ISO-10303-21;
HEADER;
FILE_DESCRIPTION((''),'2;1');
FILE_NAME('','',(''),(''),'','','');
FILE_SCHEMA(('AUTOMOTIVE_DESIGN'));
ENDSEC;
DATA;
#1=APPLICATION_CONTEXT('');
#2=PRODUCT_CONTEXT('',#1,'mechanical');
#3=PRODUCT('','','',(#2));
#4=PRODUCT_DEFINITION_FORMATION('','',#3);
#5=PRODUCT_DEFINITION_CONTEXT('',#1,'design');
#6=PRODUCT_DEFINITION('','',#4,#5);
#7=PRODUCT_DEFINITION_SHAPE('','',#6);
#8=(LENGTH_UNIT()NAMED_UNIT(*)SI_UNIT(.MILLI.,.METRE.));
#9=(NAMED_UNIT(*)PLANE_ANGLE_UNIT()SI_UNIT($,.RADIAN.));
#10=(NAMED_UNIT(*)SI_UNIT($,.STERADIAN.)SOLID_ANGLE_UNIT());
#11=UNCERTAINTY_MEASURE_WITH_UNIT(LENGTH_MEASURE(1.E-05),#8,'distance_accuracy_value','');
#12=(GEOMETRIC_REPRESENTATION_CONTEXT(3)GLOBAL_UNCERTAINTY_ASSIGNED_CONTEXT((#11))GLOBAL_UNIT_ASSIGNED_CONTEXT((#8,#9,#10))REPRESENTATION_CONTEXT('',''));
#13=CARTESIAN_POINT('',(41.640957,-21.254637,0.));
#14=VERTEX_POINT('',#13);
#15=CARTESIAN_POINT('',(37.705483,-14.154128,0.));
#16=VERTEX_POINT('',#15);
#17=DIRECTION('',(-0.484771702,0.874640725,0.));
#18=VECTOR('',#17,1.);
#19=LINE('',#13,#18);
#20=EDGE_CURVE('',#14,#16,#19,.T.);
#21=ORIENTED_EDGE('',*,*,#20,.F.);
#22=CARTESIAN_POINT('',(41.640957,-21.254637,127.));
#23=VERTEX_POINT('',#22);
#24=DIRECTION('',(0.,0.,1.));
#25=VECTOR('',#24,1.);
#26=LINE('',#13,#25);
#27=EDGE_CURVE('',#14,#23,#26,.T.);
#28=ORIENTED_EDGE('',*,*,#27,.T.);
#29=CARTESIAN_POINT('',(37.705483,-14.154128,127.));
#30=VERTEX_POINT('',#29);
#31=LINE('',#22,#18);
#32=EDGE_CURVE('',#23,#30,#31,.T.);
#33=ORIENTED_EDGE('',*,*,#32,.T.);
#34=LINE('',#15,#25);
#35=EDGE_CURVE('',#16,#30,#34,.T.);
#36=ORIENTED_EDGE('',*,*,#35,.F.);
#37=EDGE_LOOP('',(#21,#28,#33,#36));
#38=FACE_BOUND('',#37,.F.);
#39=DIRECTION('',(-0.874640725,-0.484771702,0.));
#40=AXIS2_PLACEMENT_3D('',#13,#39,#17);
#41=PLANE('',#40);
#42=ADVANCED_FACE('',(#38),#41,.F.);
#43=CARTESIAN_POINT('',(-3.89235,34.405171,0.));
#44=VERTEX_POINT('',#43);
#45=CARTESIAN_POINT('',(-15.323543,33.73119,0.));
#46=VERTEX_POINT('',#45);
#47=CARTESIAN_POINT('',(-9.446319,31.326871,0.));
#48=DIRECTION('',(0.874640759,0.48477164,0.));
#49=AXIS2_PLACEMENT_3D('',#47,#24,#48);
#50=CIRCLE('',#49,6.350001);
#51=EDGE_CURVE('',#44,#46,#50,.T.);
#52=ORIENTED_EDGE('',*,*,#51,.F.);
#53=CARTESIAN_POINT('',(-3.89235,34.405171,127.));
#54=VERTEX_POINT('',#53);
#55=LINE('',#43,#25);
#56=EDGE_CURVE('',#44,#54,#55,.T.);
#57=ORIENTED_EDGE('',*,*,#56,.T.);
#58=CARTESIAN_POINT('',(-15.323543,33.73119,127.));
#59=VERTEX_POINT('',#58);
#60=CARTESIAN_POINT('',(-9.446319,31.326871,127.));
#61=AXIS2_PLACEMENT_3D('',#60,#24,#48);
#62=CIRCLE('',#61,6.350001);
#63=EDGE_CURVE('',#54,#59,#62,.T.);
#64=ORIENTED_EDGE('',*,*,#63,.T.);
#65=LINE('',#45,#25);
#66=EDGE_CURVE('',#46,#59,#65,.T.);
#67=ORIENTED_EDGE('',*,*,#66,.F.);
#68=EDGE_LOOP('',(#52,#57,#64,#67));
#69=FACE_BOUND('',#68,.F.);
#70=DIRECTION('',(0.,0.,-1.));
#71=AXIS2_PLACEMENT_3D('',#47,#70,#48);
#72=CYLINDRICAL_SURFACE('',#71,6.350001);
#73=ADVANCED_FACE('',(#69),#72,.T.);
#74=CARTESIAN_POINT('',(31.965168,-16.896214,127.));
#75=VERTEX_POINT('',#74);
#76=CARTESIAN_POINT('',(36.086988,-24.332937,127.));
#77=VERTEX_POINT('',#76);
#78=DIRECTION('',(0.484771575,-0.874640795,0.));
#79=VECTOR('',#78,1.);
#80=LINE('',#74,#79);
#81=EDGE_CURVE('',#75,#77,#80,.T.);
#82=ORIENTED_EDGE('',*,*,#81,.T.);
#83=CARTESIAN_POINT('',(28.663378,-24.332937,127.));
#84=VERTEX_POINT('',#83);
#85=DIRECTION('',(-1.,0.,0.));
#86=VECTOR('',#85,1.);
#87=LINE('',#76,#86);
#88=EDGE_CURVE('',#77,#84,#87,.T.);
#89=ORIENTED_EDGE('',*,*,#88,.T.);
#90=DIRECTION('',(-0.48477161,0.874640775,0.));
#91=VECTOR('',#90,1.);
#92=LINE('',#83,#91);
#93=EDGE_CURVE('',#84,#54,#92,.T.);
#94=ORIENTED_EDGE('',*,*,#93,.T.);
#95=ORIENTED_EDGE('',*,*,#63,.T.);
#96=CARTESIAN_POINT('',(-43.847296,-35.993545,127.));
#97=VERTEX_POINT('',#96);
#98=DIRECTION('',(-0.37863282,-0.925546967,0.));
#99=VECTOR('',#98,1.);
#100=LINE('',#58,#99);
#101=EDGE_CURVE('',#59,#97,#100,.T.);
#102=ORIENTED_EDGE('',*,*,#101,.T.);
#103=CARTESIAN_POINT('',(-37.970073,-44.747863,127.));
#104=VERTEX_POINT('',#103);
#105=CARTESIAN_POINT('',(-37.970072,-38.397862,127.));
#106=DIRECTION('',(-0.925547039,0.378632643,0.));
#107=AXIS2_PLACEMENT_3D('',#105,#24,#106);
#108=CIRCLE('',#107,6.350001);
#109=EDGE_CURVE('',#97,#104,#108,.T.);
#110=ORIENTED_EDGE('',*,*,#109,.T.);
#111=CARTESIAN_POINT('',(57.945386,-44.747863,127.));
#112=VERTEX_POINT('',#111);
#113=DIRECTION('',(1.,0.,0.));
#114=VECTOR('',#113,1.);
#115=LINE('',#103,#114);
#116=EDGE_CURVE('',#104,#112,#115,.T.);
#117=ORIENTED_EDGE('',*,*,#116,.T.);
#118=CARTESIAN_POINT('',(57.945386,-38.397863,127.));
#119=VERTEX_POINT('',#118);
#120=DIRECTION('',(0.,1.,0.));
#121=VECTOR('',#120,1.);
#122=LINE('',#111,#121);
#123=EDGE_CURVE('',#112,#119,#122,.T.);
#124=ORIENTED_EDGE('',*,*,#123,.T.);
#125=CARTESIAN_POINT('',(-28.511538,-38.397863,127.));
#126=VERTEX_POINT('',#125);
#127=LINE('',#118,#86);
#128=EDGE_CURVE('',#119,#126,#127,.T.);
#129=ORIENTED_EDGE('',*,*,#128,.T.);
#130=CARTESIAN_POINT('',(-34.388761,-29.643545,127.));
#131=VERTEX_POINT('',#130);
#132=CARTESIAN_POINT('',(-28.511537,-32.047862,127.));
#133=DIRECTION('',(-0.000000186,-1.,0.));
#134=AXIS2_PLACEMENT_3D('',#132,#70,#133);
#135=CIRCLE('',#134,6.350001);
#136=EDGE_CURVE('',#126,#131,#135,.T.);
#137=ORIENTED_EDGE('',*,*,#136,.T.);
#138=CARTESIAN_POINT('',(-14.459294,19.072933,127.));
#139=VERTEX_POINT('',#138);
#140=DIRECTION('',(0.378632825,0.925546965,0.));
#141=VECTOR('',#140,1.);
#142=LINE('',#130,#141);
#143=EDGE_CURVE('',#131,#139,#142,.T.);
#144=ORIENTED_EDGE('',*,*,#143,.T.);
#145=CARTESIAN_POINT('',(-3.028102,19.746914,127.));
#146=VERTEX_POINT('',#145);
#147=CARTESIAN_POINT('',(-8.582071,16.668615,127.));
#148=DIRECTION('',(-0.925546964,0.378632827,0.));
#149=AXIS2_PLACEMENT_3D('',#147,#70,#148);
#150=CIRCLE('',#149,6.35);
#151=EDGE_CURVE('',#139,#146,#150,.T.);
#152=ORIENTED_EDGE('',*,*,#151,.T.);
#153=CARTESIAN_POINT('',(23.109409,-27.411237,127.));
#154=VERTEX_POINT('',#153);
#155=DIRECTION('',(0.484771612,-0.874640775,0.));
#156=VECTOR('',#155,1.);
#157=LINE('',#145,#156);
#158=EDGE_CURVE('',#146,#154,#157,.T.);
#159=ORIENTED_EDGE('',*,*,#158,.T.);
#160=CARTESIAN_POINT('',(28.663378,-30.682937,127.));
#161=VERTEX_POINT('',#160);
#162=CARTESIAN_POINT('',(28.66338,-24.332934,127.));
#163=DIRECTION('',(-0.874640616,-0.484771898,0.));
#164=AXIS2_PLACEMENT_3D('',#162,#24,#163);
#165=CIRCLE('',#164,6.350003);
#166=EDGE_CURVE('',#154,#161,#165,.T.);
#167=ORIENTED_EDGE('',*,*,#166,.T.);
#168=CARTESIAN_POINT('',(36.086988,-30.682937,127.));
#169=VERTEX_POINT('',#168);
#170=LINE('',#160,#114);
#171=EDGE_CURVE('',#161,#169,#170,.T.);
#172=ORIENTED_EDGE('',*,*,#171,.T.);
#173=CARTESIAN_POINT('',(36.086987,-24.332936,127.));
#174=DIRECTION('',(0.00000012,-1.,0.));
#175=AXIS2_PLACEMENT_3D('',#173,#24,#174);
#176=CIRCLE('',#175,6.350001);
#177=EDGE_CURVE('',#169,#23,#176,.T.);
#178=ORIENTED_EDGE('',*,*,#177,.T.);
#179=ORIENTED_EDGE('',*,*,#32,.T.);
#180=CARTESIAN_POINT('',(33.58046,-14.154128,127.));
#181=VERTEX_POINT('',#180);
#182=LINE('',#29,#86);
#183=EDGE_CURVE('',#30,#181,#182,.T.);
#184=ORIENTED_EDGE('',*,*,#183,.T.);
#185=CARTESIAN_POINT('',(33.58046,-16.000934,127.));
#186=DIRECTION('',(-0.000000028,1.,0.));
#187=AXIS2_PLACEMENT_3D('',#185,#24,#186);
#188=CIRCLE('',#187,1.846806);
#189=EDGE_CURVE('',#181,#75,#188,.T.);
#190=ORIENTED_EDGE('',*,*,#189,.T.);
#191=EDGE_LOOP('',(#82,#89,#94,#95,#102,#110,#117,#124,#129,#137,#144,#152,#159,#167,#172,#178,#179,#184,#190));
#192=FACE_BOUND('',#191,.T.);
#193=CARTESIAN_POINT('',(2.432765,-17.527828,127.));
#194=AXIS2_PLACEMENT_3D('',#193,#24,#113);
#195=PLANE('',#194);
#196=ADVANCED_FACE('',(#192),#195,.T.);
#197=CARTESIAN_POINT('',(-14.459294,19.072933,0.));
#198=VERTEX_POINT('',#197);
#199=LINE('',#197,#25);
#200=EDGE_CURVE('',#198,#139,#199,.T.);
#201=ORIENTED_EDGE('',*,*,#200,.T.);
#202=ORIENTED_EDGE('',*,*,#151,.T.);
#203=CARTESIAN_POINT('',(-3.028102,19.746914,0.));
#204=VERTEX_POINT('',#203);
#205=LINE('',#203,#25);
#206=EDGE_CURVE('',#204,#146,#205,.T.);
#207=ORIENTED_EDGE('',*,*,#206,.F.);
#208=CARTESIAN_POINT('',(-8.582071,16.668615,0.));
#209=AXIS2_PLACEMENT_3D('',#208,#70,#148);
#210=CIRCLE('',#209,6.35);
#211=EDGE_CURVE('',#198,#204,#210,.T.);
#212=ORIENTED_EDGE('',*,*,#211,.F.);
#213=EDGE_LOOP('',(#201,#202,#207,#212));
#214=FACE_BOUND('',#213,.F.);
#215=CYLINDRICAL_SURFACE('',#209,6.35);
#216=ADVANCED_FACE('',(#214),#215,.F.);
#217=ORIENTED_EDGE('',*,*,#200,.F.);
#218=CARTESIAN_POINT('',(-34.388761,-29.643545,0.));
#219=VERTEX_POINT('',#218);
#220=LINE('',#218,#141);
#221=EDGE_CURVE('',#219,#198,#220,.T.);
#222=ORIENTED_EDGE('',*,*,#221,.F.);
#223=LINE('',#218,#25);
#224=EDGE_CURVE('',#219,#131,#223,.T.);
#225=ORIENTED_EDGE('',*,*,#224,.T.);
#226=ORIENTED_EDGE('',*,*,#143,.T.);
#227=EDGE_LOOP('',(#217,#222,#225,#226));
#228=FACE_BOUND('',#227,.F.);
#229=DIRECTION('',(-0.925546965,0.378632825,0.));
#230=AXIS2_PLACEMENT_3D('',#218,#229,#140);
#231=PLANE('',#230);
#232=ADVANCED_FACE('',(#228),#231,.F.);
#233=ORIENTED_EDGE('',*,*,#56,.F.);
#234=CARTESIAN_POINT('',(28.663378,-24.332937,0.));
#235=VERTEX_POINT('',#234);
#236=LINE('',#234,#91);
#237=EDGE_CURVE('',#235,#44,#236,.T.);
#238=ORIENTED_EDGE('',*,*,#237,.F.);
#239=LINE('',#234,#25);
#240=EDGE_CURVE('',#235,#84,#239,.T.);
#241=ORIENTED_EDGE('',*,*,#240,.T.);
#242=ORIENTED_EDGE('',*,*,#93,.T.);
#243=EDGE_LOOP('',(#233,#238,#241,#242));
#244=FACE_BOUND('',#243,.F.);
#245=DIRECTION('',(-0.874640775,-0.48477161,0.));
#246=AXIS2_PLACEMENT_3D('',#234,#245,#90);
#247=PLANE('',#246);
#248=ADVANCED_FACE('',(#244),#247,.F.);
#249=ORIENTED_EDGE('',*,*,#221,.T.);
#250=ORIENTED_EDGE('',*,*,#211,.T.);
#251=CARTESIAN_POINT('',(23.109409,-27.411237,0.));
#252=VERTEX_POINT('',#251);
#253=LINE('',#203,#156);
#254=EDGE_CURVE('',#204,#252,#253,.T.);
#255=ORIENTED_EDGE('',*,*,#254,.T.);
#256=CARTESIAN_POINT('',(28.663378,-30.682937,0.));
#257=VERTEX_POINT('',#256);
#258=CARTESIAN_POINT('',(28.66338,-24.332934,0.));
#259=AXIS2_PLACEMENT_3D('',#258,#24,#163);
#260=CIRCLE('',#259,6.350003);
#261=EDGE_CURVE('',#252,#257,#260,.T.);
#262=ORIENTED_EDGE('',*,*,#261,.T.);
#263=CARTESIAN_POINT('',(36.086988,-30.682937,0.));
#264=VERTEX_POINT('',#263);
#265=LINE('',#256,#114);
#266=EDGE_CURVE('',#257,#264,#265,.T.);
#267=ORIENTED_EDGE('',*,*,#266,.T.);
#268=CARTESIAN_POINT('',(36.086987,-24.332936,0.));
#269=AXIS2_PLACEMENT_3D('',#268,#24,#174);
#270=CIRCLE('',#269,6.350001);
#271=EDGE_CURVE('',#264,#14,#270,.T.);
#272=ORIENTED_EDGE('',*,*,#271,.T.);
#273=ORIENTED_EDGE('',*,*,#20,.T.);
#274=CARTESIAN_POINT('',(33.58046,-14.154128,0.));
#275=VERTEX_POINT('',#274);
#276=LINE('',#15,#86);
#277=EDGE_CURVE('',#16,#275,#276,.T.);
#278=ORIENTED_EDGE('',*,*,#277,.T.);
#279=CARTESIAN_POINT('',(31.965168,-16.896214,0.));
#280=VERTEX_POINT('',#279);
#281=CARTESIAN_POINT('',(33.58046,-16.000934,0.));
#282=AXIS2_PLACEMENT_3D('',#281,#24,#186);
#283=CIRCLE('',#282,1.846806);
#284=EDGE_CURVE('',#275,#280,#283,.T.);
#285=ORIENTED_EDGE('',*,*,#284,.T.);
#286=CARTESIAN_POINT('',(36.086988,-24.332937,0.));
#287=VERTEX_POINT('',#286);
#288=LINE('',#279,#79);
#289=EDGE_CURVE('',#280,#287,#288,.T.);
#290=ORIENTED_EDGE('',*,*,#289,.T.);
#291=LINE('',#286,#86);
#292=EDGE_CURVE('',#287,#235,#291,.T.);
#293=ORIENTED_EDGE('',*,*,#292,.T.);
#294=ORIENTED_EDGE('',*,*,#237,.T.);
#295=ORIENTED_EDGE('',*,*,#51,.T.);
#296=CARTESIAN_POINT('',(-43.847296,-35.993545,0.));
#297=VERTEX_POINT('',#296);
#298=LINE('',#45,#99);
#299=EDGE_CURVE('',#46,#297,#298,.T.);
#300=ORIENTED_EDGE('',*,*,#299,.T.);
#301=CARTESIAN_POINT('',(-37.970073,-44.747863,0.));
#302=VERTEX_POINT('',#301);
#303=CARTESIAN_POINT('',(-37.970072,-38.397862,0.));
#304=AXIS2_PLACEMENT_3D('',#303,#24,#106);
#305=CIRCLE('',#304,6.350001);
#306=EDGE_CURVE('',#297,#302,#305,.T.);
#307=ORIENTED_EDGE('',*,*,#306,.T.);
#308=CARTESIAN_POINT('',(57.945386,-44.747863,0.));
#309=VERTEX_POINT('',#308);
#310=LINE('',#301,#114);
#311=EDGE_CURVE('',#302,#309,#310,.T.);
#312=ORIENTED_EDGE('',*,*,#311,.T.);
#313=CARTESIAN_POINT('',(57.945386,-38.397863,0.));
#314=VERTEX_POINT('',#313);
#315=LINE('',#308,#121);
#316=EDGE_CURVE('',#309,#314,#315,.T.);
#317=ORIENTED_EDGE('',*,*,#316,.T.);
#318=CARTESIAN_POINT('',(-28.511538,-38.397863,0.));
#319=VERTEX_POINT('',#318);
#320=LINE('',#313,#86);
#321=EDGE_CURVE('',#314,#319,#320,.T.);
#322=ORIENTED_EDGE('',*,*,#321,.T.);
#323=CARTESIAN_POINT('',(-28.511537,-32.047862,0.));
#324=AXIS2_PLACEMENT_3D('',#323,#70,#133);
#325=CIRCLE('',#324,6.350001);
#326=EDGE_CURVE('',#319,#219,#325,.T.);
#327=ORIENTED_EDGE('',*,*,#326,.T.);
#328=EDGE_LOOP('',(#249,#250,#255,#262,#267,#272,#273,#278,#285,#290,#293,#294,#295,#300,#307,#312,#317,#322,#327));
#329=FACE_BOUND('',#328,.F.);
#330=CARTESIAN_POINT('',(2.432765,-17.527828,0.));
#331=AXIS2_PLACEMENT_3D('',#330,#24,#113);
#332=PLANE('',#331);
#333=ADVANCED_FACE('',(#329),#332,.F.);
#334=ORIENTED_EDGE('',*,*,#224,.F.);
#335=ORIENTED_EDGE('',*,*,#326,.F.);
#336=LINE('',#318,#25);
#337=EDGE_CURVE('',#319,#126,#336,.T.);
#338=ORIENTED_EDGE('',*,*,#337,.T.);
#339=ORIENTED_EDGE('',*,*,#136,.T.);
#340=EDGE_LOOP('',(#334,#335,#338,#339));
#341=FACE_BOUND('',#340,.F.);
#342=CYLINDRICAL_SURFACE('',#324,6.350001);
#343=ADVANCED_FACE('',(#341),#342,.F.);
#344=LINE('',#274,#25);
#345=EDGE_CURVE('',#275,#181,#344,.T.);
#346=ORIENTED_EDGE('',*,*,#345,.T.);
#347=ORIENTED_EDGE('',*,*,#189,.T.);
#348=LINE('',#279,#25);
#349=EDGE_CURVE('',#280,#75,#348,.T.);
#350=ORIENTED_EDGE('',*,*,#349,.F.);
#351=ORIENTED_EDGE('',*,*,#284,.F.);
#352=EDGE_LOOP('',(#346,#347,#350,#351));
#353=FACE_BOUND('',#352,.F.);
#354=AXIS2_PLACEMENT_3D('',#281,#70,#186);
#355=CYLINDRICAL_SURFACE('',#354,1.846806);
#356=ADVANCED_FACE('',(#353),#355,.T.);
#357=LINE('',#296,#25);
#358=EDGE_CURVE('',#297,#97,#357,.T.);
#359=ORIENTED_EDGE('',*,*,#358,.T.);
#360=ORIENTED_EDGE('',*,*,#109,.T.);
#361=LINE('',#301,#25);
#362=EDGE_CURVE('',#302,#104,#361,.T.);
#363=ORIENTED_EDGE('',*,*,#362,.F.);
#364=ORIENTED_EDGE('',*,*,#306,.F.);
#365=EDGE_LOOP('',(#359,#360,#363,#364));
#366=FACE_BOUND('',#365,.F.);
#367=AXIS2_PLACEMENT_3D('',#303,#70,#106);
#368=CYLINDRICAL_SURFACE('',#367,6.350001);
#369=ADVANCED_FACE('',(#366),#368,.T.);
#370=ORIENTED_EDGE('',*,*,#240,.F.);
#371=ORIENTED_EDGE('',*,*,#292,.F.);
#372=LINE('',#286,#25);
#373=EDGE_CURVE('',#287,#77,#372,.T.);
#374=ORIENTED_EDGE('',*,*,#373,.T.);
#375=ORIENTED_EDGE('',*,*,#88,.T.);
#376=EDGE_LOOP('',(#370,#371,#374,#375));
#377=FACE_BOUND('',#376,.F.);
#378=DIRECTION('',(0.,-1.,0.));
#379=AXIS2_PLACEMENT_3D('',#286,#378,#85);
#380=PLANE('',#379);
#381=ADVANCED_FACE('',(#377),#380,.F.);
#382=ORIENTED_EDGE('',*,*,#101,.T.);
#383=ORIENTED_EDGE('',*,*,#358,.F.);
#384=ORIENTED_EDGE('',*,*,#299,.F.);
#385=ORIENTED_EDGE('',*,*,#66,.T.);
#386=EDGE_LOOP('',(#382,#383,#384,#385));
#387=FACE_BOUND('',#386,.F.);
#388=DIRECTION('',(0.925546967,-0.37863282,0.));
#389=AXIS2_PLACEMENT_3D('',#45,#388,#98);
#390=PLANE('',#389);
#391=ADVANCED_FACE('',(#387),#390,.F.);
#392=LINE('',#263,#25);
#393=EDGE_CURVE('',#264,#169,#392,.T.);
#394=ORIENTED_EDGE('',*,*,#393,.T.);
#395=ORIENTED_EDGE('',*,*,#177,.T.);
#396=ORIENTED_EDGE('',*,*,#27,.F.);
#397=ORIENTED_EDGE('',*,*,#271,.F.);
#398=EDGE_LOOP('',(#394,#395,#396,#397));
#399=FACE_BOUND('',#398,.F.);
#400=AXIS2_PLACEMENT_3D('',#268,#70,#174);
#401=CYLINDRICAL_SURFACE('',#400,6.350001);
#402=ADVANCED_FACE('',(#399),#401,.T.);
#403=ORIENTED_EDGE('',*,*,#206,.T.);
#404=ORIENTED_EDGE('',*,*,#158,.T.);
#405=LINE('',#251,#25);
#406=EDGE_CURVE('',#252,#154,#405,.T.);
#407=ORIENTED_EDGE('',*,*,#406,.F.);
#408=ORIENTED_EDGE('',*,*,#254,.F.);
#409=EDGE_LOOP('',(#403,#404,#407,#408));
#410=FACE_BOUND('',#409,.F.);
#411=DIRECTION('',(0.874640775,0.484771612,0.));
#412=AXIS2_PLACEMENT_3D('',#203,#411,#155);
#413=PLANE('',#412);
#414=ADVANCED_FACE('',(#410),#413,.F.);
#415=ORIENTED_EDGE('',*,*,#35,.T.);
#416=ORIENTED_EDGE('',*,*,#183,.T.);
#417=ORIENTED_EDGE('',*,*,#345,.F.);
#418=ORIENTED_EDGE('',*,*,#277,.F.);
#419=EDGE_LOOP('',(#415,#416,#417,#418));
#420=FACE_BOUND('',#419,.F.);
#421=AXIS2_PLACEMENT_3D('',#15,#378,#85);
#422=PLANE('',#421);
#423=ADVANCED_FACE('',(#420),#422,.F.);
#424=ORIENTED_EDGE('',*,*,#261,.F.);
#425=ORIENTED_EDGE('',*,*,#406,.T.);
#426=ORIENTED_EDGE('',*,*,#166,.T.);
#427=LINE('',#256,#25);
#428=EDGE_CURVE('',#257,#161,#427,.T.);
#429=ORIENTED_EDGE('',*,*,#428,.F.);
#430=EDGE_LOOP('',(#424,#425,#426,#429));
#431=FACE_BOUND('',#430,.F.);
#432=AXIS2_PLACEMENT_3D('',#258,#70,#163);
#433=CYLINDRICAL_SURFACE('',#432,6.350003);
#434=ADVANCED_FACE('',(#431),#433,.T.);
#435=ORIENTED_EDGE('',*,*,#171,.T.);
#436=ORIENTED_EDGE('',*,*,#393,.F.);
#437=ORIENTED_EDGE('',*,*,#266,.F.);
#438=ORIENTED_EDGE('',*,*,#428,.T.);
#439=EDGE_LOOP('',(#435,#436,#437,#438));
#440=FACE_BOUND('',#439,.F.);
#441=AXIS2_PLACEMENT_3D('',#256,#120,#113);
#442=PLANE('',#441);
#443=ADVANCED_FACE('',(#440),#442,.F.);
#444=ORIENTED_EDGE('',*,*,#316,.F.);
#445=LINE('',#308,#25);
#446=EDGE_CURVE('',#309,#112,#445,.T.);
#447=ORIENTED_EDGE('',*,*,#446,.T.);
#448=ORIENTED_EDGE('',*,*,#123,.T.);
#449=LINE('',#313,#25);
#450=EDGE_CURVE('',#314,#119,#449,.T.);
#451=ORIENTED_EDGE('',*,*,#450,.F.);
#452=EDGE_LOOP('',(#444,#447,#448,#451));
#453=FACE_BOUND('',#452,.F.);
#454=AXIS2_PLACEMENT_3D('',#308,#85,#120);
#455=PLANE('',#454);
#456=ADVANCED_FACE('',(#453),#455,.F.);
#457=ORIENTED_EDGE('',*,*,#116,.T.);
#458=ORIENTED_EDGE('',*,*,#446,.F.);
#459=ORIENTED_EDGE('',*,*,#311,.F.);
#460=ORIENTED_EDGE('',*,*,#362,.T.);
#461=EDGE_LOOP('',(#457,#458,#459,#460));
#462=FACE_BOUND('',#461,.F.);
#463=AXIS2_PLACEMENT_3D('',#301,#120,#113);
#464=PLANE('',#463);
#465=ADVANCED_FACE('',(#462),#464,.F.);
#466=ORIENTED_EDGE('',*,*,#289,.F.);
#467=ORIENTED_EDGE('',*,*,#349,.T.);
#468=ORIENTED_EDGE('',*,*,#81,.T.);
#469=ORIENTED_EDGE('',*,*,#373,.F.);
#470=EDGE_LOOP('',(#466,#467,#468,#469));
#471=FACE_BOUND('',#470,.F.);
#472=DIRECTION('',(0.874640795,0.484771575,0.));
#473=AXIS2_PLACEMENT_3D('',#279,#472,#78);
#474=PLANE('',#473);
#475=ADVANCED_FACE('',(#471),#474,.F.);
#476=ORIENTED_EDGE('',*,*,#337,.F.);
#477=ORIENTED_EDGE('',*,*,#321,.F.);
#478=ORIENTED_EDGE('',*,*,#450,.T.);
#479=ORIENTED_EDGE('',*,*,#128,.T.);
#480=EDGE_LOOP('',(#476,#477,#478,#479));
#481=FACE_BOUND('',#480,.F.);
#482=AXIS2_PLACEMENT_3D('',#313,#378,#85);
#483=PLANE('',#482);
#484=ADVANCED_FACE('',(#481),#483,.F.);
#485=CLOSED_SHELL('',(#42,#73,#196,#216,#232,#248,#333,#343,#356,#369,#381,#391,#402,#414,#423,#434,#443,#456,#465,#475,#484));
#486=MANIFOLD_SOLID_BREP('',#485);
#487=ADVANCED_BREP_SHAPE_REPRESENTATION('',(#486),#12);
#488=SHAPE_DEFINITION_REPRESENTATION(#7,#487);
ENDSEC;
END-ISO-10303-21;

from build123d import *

# Parameters (mm, degrees)
F1_DEPTH = 127


with BuildPart() as f1:
    # F0 (on Top) → F1 (new body)
    with BuildSketch(Plane.XY):
        with BuildLine():
            Line((-37.970073, -44.747863), (57.945386, -44.747863))
            Line((57.945386, -44.747863), (57.945386, -38.397863))
            Line((57.945386, -38.397863), (-28.511538, -38.397863))
            ThreePointArc((-28.511538, -38.397863), (-33.78363, -35.587289), (-34.388761, -29.643545))
            Line((-34.388761, -29.643545), (-14.459294, 19.072933))
            ThreePointArc((-14.459294, 19.072933), (-8.955817, 23.007606), (-3.028102, 19.746914))
            Line((-3.028102, 19.746914), (23.109409, -27.411237))
            ThreePointArc((23.109409, -27.411237), (25.440391, -29.804212), (28.663378, -30.682937))
            Line((28.663378, -30.682937), (36.086988, -30.682937))
            ThreePointArc((36.086988, -30.682937), (41.558263, -27.555924), (41.640957, -21.254637))
            Line((41.640957, -21.254637), (37.705483, -14.154128))
            Line((37.705483, -14.154128), (33.58046, -14.154128))
            ThreePointArc((33.58046, -14.154128), (31.989218, -15.063575), (31.965168, -16.896214))
            Line((31.965168, -16.896214), (36.086988, -24.332937))
            Line((36.086988, -24.332937), (28.663378, -24.332937))
            Line((28.663378, -24.332937), (-3.89235, 34.405171))
            ThreePointArc((-3.89235, 34.405171), (-9.820065, 37.665863), (-15.323543, 33.73119))
            Line((-15.323543, 33.73119), (-43.847296, -35.993545))
            ThreePointArc((-43.847296, -35.993545), (-43.242165, -41.937289), (-37.970073, -44.747863))
        make_face()
    extrude(amount=F1_DEPTH)


solid = f1.part
